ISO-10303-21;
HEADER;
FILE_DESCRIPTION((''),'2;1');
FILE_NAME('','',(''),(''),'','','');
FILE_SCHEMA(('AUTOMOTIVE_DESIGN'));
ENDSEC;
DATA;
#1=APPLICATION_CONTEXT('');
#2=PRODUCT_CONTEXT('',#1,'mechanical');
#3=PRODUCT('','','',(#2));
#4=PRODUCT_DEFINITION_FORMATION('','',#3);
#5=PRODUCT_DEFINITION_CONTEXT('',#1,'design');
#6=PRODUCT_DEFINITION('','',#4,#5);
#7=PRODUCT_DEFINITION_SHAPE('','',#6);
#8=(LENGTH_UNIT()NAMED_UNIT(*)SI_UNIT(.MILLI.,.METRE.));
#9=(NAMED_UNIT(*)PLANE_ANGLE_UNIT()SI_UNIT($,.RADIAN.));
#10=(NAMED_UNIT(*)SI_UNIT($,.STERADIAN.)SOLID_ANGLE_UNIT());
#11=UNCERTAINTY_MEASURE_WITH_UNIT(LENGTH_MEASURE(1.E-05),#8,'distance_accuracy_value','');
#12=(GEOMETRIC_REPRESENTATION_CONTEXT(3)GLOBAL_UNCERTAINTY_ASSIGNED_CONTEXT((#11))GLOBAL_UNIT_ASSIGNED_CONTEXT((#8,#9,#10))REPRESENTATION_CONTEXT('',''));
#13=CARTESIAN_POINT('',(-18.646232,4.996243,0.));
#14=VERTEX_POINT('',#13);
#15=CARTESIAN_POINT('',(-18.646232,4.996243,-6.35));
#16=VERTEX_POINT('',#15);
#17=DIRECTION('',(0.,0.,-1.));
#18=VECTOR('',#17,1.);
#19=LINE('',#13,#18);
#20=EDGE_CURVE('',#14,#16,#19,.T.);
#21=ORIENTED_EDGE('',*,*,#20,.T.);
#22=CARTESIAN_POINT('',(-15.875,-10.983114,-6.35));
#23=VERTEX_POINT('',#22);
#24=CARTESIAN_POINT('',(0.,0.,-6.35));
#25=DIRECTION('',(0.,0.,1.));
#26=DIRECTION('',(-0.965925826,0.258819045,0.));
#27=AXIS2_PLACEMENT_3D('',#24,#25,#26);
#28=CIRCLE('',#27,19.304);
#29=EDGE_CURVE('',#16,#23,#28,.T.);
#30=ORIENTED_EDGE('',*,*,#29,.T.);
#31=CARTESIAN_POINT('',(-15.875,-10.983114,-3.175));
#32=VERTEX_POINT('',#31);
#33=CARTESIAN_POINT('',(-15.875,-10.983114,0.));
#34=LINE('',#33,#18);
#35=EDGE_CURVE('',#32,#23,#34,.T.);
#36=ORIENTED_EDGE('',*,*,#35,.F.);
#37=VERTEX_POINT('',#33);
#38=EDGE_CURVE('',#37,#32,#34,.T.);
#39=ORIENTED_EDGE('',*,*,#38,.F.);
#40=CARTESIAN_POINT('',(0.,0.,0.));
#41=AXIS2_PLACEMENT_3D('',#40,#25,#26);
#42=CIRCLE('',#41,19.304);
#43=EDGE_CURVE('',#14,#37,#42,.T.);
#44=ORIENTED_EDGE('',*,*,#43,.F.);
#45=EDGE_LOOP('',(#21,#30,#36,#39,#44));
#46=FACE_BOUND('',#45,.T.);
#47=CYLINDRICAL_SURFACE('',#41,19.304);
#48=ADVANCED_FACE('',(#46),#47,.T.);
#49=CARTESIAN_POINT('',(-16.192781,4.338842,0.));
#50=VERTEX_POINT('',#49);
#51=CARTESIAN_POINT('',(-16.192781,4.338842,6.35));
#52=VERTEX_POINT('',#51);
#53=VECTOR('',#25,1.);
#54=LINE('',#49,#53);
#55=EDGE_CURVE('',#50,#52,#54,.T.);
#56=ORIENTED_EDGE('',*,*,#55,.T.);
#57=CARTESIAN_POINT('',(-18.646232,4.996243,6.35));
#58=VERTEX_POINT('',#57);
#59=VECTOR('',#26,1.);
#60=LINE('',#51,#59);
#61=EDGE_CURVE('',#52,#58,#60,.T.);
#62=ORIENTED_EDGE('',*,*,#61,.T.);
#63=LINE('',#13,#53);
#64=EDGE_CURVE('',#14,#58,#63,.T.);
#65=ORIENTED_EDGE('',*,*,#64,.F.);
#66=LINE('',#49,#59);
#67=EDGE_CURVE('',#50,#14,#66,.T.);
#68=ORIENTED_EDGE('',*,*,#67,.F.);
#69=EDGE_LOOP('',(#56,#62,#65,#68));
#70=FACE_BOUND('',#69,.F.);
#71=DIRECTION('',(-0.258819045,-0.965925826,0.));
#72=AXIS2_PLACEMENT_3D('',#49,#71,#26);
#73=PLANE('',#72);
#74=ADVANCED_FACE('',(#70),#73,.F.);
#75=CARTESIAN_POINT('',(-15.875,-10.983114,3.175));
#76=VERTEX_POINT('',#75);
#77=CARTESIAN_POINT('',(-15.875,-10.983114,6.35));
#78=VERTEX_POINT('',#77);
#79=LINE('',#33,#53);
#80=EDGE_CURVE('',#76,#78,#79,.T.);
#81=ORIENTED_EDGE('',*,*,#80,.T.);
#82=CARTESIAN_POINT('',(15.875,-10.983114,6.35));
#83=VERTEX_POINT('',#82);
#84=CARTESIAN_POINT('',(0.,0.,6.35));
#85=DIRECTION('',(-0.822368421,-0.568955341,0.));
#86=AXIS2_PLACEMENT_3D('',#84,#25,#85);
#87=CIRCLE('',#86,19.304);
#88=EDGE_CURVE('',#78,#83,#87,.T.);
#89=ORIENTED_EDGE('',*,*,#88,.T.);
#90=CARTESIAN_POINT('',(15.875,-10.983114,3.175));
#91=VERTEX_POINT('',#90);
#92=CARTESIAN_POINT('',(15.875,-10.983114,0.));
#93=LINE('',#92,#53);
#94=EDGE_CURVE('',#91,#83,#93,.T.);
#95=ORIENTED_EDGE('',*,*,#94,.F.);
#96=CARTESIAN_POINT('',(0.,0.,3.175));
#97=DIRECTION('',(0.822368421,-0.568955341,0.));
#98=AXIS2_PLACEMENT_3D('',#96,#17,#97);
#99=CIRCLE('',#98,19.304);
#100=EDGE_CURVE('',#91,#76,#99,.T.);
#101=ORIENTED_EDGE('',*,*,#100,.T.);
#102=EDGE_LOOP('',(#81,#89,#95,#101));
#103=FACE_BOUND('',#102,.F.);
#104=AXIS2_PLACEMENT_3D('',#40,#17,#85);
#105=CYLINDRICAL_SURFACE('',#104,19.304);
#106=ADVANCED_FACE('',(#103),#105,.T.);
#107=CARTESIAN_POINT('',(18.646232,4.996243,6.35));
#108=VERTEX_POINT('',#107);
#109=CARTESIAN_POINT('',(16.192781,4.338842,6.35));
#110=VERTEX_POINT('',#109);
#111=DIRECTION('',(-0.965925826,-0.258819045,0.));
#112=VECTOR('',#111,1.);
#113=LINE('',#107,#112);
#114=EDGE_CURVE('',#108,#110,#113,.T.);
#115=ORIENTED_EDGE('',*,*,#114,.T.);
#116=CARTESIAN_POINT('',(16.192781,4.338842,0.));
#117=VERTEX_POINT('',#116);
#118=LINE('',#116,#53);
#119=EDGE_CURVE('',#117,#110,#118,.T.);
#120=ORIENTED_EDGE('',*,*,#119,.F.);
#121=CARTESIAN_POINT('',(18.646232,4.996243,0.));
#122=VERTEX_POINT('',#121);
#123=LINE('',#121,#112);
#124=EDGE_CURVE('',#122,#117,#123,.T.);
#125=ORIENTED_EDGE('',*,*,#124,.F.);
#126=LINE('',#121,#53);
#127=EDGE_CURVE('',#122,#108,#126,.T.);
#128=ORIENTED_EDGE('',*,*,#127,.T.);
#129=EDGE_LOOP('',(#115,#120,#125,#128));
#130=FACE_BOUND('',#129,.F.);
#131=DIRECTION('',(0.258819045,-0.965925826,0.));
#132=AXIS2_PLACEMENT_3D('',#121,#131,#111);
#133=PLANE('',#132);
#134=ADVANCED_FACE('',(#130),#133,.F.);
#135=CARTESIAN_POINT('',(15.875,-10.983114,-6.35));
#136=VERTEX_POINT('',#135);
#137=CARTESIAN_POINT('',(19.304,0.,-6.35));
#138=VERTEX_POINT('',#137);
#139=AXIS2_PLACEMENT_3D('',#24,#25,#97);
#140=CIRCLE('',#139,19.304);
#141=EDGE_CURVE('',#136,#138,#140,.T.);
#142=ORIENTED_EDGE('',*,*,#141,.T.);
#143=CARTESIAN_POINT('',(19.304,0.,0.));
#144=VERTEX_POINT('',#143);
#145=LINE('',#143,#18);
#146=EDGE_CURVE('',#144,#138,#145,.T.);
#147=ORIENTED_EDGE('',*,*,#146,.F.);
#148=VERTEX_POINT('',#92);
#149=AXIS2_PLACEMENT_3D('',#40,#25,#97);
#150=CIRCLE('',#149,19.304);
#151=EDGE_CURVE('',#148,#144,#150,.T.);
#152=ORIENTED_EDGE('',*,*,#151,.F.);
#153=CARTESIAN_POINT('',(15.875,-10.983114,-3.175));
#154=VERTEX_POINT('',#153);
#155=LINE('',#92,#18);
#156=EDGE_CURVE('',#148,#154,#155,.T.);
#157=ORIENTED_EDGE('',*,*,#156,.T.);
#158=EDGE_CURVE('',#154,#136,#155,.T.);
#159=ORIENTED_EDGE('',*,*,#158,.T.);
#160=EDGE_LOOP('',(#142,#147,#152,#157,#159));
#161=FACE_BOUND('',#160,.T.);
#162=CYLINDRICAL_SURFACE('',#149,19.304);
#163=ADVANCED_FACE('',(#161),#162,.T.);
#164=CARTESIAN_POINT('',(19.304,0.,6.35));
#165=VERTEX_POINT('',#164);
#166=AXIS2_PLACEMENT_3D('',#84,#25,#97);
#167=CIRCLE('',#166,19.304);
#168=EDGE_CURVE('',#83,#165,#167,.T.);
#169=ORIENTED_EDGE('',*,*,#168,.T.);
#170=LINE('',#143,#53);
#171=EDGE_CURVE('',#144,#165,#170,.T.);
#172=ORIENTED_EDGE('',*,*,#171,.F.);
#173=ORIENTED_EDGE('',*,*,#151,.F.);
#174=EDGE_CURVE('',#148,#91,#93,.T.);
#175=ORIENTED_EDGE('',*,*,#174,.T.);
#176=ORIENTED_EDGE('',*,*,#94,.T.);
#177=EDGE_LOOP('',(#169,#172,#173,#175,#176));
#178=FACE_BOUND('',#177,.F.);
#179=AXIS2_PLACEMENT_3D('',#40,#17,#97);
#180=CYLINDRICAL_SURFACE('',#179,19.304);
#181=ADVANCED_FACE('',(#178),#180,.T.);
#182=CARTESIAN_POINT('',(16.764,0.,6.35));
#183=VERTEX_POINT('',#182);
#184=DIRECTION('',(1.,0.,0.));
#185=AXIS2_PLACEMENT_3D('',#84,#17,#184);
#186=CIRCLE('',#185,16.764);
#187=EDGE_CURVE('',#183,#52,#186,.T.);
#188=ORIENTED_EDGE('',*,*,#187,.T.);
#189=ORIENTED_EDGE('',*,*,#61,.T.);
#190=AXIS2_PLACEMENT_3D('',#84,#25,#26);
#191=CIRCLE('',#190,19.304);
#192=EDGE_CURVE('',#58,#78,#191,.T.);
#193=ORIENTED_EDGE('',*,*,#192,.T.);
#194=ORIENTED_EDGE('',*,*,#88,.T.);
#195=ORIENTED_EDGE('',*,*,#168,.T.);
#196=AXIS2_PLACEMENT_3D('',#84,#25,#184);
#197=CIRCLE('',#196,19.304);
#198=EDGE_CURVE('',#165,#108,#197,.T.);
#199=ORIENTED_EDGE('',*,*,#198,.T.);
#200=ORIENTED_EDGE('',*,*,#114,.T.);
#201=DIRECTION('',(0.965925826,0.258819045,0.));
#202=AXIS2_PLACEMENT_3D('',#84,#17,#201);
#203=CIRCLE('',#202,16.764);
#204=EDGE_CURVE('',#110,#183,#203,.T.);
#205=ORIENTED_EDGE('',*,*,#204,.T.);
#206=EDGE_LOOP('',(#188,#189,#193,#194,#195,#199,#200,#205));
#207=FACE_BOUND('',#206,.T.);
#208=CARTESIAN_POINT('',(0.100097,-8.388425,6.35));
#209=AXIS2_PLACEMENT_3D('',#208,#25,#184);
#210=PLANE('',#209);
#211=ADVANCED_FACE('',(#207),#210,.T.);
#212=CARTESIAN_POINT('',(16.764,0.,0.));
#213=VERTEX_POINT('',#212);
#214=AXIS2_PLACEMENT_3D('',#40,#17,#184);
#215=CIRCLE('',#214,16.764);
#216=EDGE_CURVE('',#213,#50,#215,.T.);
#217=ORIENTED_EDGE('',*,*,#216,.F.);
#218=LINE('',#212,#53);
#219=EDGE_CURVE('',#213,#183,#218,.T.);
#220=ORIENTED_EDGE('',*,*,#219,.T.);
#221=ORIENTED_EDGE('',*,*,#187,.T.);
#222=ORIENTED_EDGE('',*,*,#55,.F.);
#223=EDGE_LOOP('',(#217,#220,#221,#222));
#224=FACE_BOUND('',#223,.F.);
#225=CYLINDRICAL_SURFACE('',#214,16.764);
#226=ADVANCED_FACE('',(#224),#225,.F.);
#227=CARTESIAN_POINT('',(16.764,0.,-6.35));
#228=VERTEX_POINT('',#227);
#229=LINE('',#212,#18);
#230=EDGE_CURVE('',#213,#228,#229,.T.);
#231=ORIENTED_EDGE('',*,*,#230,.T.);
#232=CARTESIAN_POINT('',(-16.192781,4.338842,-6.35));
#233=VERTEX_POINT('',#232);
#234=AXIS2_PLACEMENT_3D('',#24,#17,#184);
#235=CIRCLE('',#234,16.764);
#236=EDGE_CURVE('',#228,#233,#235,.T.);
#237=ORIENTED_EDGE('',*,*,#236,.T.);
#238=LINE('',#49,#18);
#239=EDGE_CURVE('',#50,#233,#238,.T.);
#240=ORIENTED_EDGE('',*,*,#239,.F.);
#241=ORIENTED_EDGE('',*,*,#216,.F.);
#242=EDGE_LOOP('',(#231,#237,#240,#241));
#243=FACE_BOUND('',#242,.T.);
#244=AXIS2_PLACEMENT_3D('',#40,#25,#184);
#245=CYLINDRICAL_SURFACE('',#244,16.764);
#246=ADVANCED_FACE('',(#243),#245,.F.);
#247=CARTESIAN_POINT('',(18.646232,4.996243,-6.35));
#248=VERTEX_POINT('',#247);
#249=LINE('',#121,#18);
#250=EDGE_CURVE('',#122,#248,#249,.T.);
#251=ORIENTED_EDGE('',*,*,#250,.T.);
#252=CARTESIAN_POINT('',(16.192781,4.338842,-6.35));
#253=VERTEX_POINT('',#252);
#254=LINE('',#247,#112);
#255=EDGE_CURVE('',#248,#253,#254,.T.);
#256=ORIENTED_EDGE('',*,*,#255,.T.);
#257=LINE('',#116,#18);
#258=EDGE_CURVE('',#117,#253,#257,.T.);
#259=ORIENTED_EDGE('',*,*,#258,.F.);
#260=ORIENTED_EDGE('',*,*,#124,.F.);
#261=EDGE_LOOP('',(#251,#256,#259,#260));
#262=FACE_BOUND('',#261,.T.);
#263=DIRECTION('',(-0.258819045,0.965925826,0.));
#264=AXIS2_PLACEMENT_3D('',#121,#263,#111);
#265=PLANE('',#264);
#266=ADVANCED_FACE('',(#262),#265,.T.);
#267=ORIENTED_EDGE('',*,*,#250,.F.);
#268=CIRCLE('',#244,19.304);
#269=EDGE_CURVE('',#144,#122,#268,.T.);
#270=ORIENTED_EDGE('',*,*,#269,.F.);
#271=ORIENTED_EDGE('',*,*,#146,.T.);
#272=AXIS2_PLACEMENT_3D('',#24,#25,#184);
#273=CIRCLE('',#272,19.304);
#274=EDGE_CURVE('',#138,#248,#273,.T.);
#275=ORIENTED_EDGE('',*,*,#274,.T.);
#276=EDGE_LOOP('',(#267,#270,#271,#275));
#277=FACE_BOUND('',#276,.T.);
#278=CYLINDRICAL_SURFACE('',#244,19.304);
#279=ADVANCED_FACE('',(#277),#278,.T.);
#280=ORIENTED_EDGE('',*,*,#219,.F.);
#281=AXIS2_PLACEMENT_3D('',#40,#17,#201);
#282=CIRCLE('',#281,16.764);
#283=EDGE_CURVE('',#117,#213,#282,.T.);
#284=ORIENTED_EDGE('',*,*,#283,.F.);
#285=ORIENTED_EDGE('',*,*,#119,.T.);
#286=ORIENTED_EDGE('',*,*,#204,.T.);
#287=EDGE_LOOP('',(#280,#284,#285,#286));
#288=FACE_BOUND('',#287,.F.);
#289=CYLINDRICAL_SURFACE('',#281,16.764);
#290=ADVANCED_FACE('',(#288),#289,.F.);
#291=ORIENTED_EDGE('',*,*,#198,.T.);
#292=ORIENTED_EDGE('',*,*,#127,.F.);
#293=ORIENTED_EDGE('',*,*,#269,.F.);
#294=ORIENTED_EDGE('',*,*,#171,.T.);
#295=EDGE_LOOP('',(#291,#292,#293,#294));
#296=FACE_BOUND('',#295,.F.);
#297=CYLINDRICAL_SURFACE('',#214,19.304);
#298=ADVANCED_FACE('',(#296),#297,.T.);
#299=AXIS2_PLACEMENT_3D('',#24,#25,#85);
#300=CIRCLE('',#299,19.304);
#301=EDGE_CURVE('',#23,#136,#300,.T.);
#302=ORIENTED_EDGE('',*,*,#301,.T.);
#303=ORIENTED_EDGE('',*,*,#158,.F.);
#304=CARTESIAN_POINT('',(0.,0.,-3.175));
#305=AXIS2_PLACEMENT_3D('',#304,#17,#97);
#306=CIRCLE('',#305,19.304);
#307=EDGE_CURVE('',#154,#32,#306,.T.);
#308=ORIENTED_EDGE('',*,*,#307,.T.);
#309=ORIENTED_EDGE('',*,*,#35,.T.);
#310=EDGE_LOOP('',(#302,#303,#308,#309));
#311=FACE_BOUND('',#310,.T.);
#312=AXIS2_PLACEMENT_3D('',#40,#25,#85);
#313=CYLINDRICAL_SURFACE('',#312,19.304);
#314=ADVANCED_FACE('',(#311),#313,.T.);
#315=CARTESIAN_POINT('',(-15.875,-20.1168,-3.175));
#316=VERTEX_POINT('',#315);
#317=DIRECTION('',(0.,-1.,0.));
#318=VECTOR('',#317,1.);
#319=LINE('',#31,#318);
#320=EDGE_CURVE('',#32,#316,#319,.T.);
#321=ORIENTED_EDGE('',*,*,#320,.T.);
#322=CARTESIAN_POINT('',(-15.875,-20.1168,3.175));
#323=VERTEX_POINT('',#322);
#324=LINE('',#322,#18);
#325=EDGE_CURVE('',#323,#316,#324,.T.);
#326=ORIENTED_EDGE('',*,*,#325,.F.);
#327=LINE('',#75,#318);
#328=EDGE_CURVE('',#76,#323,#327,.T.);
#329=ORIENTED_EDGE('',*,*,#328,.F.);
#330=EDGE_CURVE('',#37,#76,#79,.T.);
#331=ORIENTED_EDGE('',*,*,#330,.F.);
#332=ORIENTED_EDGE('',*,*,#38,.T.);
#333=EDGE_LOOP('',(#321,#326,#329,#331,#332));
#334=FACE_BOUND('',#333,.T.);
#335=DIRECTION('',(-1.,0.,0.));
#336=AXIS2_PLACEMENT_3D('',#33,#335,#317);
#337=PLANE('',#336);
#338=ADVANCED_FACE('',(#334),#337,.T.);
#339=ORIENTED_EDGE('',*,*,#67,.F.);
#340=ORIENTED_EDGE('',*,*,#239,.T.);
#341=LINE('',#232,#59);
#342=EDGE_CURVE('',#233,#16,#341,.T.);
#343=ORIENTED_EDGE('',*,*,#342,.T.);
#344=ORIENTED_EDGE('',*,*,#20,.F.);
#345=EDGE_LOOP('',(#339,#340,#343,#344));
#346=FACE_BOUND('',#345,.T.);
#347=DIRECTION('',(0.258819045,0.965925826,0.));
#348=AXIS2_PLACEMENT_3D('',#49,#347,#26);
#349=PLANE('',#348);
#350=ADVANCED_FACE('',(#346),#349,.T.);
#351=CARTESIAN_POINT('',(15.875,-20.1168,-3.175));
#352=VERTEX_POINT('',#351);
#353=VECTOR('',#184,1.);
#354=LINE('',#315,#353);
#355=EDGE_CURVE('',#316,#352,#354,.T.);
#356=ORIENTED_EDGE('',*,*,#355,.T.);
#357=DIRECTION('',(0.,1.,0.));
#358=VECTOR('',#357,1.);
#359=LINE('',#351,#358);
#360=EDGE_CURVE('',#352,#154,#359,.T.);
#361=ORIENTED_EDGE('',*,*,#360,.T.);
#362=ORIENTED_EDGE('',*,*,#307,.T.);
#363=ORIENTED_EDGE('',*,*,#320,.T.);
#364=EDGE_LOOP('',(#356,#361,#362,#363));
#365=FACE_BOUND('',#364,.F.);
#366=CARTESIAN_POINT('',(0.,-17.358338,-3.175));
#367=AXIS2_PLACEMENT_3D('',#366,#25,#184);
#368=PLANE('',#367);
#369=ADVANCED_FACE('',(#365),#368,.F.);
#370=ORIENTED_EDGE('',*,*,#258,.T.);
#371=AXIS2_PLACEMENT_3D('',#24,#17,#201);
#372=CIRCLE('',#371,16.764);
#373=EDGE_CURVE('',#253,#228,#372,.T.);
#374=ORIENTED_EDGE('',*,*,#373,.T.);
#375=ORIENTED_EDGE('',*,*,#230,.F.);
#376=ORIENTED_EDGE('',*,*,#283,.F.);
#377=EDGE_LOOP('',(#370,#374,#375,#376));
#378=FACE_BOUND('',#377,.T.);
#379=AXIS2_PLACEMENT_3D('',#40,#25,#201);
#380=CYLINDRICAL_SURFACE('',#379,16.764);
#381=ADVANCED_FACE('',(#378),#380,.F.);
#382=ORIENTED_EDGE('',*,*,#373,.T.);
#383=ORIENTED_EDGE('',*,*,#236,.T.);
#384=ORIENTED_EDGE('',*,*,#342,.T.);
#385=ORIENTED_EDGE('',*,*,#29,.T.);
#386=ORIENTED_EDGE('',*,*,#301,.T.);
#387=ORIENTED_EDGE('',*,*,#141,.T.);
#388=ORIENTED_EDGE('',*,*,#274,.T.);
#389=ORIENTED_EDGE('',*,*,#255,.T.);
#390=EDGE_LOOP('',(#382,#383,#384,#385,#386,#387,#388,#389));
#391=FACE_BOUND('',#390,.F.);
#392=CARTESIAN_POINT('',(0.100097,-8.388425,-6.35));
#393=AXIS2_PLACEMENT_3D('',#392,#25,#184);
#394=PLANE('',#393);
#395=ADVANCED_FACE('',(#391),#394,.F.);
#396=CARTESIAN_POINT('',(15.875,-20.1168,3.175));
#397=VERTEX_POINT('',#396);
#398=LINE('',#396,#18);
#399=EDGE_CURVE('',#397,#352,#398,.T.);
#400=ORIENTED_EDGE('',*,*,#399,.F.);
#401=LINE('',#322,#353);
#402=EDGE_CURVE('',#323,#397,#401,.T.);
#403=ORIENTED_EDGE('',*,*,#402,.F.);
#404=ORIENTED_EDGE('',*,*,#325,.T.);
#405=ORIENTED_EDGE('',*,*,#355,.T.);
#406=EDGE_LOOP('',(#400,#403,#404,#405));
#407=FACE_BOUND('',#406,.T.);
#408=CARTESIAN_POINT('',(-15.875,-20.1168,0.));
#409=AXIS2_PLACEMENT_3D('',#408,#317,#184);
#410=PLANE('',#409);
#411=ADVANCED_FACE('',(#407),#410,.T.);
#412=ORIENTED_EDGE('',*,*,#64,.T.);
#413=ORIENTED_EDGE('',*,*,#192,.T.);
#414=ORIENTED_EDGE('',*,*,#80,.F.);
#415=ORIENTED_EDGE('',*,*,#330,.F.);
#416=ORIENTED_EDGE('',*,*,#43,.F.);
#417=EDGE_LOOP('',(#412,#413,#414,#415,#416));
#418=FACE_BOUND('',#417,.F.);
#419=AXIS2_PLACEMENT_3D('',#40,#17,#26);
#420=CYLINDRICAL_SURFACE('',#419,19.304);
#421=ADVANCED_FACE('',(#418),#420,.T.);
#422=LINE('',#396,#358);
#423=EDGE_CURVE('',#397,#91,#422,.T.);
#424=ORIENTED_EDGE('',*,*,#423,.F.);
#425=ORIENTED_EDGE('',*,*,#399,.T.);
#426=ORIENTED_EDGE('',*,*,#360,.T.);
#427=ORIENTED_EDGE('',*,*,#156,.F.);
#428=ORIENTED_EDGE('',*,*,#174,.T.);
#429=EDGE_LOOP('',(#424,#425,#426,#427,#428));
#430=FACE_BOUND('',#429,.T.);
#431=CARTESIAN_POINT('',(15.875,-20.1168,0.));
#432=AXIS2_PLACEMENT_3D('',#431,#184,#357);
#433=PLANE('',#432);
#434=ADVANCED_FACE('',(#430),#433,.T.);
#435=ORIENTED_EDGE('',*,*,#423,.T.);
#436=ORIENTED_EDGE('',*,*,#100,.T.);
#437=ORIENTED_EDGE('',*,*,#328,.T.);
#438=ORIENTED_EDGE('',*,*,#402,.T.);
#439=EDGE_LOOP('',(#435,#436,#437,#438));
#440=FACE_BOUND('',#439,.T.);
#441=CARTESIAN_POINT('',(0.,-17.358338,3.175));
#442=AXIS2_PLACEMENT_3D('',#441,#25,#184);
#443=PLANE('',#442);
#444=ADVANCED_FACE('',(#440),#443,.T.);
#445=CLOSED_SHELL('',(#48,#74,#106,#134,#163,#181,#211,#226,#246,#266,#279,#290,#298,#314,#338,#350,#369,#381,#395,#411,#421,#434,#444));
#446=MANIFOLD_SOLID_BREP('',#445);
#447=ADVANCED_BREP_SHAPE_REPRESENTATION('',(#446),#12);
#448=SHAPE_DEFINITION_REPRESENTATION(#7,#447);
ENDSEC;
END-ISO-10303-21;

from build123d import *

# Parameters (mm, degrees)
F1_DEPTH = 6.35
F2_DEPTH = 3.175


with BuildPart() as f1:
    # F0 (on Top) → F1 (new body, symmetric)
    with BuildSketch(Plane.XY):
        with BuildLine():
            ThreePointArc((15.875, -10.9831139027), (18.4268203443, -5.7529738397), (19.304, 0))
            ThreePointArc((19.304, 0), (19.138851604, 2.5196776146), (18.6462321507, 4.9962428467))
            Line((18.6462321507, 4.9962428467), (16.1927805519, 4.3388424721))
            ThreePointArc((16.1927805519, 4.3388424721), (16.6205816561, 2.1881410864), (16.764, 0))
            ThreePointArc((16.764, 0), (-2.1881410864, -16.6205816561), (-16.1927805519, 4.3388424721))
            Line((-16.1927805519, 4.3388424721), (-18.6462321507, 4.9962428467))
            ThreePointArc((-18.6462321507, 4.9962428467), (-19.020090111, -3.2985736567), (-15.875, -10.9831139027))
            ThreePointArc((-15.875, -10.9831139027), (0, -19.304), (15.875, -10.9831139027))
        make_face()
    extrude(amount=F1_DEPTH, both=True)

    # F0 (on Top) → F2 (join, symmetric)
    with BuildSketch(Plane.XY):
        with BuildLine():
            Line((15.875, -20.1168), (15.875, -10.9831139027))
            ThreePointArc((15.875, -10.9831139027), (0, -19.304), (-15.875, -10.9831139027))
            Line((-15.875, -10.9831139027), (-15.875, -20.1168))
            Line((-15.875, -20.1168), (15.875, -20.1168))
        make_face()
    extrude(amount=F2_DEPTH, both=True)


solid = f1.part
